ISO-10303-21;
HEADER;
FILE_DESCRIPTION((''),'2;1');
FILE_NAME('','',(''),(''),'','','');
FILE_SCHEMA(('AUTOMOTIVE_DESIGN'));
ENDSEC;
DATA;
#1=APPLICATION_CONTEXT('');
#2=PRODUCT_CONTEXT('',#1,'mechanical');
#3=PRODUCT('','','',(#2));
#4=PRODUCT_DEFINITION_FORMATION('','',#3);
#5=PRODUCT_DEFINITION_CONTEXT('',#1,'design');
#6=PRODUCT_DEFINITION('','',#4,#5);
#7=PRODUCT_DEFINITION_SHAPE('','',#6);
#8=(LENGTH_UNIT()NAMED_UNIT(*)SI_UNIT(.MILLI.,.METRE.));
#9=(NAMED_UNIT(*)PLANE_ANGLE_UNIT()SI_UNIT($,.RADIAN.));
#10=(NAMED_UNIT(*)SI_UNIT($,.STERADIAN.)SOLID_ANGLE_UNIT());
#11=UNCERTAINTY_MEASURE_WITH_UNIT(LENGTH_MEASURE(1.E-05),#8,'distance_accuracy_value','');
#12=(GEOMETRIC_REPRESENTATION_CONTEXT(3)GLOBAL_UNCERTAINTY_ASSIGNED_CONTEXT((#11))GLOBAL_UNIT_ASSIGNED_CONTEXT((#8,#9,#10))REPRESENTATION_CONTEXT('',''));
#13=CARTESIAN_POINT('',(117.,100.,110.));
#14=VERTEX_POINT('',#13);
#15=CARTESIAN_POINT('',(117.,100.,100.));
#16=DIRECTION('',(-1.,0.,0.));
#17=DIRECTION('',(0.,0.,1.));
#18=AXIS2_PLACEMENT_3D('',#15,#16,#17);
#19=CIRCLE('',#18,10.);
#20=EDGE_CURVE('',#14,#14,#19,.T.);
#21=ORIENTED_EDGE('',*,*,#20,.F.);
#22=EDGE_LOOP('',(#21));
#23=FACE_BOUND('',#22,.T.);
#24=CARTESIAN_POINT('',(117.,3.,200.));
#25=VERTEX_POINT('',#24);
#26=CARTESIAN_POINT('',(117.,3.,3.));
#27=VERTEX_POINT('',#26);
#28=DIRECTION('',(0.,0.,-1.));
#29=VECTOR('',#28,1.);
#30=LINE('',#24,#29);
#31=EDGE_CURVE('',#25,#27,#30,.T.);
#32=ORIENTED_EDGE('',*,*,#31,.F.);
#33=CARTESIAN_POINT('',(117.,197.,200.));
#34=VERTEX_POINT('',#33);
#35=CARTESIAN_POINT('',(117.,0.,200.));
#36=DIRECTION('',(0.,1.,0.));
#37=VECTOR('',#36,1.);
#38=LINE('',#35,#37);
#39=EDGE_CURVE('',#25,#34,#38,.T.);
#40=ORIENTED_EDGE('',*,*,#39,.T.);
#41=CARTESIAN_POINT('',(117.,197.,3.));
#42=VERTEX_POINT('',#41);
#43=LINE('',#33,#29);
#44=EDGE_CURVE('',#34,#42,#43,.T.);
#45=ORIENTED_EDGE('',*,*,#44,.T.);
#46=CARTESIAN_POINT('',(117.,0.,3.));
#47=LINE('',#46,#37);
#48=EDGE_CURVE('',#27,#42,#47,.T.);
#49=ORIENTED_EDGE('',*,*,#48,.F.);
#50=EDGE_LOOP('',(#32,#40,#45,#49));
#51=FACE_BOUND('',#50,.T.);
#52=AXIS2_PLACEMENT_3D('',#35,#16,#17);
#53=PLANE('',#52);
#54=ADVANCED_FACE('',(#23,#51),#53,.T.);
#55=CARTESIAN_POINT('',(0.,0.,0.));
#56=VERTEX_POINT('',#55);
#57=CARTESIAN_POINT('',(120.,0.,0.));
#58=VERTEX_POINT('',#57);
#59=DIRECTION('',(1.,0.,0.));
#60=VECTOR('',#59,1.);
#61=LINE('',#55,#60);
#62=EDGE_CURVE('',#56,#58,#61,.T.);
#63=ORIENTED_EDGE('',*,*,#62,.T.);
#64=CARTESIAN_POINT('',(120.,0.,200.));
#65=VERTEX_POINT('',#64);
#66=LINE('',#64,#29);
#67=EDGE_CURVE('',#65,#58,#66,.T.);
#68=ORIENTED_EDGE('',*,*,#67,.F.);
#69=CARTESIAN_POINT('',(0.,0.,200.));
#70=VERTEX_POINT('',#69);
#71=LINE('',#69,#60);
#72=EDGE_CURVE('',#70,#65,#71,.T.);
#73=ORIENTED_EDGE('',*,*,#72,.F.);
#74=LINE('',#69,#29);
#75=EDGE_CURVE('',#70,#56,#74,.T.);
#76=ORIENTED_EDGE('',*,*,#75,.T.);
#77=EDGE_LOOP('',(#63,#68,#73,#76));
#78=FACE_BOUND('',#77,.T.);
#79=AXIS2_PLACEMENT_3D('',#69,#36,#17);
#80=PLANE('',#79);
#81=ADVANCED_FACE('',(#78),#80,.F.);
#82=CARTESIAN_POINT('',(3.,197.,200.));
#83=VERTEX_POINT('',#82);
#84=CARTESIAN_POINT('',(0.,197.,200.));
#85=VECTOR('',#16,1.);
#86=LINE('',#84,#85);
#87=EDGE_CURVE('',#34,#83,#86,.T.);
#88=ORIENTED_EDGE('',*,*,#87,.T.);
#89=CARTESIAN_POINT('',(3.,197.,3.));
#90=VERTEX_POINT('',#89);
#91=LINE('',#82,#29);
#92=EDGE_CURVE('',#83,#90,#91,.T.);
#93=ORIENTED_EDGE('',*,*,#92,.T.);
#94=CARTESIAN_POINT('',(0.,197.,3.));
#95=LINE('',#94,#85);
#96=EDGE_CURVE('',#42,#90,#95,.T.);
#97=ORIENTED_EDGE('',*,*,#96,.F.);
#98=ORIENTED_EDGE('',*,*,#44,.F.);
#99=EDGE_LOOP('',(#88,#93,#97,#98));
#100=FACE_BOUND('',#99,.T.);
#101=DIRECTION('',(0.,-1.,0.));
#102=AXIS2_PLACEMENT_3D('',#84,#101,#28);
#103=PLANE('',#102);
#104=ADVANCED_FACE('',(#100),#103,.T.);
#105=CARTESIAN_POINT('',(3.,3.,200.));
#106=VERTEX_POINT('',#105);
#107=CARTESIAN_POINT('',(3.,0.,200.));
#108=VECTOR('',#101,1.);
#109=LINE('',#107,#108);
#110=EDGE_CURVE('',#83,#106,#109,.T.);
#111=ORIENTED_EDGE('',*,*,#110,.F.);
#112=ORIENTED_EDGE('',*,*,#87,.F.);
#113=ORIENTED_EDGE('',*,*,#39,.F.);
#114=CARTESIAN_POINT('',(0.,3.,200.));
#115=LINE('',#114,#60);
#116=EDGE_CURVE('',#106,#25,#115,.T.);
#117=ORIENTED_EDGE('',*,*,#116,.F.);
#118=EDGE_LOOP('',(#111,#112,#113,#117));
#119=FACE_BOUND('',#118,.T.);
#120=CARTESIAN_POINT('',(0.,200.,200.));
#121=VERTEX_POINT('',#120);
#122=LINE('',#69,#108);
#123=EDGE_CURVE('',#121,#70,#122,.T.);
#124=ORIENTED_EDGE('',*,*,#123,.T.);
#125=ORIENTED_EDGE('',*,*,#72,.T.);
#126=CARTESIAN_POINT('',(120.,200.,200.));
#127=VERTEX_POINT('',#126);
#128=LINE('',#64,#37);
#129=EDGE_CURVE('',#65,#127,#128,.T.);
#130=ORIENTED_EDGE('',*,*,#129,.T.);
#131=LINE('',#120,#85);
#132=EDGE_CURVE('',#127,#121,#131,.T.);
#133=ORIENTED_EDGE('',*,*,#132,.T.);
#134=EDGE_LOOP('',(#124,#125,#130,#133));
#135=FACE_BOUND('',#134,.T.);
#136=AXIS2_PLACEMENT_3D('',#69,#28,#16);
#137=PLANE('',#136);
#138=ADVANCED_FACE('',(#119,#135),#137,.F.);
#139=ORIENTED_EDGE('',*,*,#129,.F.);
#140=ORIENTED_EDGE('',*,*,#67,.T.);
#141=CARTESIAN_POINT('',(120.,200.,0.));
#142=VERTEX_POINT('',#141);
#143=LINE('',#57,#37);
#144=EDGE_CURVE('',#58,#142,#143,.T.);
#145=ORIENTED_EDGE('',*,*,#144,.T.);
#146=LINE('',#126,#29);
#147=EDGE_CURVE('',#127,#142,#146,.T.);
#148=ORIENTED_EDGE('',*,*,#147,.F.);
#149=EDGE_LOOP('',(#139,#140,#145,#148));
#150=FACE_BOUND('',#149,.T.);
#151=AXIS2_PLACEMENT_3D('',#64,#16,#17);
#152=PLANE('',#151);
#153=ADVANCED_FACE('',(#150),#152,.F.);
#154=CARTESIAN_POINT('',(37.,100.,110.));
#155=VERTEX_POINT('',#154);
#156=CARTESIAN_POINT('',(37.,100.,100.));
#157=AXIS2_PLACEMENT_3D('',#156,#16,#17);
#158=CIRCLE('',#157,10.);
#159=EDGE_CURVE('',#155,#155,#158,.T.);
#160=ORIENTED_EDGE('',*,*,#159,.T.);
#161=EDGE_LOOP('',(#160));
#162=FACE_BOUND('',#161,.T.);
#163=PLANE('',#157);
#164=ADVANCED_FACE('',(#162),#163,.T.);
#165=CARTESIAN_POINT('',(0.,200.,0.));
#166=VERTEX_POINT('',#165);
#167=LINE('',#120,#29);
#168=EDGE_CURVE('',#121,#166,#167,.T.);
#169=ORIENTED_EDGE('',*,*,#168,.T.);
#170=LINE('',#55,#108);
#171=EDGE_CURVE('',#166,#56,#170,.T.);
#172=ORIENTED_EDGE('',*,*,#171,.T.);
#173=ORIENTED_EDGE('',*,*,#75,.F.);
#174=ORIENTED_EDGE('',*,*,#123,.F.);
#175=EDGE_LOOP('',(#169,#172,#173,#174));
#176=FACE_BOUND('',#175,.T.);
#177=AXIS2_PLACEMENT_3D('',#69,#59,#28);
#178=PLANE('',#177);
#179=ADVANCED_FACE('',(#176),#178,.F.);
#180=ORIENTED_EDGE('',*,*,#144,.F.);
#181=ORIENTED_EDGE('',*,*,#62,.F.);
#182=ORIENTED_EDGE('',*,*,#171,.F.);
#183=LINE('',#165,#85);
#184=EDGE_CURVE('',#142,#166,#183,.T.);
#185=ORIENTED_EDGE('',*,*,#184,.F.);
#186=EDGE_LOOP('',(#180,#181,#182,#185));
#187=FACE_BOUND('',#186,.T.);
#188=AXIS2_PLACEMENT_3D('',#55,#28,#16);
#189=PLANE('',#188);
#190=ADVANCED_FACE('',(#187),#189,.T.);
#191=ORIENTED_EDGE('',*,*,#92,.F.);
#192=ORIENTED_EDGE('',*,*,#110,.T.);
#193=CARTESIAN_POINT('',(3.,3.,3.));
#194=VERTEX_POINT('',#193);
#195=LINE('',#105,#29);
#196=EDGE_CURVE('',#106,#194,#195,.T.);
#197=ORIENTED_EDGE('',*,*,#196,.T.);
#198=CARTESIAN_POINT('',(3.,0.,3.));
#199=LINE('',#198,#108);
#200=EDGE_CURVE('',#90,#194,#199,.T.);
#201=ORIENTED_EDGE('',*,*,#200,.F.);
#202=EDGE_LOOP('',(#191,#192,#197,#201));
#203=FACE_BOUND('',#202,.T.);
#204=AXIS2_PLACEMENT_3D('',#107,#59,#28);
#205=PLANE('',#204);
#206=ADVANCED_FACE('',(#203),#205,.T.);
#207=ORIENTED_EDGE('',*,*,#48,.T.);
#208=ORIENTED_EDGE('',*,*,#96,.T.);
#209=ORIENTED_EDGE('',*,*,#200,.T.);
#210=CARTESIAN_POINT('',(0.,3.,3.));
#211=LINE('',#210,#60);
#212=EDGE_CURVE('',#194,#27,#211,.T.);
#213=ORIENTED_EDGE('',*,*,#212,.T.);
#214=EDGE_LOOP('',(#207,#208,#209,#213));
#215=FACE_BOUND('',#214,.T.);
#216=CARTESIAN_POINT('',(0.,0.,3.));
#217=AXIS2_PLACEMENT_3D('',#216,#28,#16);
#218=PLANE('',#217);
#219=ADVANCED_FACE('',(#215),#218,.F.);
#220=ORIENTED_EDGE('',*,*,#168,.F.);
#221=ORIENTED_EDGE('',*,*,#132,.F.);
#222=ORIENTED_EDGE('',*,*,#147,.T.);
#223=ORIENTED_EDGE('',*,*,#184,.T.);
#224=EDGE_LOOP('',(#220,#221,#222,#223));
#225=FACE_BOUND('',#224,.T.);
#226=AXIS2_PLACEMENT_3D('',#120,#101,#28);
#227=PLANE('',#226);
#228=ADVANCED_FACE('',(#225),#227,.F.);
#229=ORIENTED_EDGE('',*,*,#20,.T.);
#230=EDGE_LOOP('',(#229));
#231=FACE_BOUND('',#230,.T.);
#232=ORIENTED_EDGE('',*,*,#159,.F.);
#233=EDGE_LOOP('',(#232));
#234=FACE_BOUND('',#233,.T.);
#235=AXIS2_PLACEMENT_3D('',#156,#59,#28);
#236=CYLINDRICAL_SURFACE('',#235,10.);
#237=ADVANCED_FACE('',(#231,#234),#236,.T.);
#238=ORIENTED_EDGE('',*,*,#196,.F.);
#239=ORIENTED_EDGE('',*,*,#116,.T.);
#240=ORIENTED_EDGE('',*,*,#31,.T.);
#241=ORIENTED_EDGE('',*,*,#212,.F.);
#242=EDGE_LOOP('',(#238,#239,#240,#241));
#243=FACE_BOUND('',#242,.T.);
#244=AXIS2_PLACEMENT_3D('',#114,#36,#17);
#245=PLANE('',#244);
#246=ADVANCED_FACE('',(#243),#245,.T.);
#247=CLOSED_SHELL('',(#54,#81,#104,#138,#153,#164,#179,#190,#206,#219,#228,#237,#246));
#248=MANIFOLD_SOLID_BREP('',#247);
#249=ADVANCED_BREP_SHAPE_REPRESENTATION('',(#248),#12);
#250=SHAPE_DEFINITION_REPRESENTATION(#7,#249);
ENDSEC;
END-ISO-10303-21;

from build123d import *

# Parameters (mm, degrees)
CROQUIS2_W              = 120
CROQUIS2_H              = 200
SALIENTE_EXTRUIR1_DEPTH = 200
VACIADO1_T              = -3
CROQUIS4_R              = 10
SALIENTE_EXTRUIR2_DEPTH = 80


with BuildPart() as part:
    # Croquis2 → Saliente-Extruir1 (new body)
    with BuildSketch(Plane.XY):
        with Locations((60, 100)):
            Rectangle(CROQUIS2_W, CROQUIS2_H)
    extrude(amount=SALIENTE_EXTRUIR1_DEPTH)

    # Vaciado1
    vaciado1_openings = [part.faces().sort_by_distance(p)[0] for p in [
        (60, 100, 200),
    ]]
    offset(amount=VACIADO1_T, openings=vaciado1_openings, kind=Kind.INTERSECTION)

    # Croquis4 → Saliente-Extruir2 (add)
    with BuildSketch(Plane.ZY.offset(-117)):
        with Locations((100, 100)):
            Circle(CROQUIS4_R)
    extrude(amount=SALIENTE_EXTRUIR2_DEPTH)


solid = part.part
